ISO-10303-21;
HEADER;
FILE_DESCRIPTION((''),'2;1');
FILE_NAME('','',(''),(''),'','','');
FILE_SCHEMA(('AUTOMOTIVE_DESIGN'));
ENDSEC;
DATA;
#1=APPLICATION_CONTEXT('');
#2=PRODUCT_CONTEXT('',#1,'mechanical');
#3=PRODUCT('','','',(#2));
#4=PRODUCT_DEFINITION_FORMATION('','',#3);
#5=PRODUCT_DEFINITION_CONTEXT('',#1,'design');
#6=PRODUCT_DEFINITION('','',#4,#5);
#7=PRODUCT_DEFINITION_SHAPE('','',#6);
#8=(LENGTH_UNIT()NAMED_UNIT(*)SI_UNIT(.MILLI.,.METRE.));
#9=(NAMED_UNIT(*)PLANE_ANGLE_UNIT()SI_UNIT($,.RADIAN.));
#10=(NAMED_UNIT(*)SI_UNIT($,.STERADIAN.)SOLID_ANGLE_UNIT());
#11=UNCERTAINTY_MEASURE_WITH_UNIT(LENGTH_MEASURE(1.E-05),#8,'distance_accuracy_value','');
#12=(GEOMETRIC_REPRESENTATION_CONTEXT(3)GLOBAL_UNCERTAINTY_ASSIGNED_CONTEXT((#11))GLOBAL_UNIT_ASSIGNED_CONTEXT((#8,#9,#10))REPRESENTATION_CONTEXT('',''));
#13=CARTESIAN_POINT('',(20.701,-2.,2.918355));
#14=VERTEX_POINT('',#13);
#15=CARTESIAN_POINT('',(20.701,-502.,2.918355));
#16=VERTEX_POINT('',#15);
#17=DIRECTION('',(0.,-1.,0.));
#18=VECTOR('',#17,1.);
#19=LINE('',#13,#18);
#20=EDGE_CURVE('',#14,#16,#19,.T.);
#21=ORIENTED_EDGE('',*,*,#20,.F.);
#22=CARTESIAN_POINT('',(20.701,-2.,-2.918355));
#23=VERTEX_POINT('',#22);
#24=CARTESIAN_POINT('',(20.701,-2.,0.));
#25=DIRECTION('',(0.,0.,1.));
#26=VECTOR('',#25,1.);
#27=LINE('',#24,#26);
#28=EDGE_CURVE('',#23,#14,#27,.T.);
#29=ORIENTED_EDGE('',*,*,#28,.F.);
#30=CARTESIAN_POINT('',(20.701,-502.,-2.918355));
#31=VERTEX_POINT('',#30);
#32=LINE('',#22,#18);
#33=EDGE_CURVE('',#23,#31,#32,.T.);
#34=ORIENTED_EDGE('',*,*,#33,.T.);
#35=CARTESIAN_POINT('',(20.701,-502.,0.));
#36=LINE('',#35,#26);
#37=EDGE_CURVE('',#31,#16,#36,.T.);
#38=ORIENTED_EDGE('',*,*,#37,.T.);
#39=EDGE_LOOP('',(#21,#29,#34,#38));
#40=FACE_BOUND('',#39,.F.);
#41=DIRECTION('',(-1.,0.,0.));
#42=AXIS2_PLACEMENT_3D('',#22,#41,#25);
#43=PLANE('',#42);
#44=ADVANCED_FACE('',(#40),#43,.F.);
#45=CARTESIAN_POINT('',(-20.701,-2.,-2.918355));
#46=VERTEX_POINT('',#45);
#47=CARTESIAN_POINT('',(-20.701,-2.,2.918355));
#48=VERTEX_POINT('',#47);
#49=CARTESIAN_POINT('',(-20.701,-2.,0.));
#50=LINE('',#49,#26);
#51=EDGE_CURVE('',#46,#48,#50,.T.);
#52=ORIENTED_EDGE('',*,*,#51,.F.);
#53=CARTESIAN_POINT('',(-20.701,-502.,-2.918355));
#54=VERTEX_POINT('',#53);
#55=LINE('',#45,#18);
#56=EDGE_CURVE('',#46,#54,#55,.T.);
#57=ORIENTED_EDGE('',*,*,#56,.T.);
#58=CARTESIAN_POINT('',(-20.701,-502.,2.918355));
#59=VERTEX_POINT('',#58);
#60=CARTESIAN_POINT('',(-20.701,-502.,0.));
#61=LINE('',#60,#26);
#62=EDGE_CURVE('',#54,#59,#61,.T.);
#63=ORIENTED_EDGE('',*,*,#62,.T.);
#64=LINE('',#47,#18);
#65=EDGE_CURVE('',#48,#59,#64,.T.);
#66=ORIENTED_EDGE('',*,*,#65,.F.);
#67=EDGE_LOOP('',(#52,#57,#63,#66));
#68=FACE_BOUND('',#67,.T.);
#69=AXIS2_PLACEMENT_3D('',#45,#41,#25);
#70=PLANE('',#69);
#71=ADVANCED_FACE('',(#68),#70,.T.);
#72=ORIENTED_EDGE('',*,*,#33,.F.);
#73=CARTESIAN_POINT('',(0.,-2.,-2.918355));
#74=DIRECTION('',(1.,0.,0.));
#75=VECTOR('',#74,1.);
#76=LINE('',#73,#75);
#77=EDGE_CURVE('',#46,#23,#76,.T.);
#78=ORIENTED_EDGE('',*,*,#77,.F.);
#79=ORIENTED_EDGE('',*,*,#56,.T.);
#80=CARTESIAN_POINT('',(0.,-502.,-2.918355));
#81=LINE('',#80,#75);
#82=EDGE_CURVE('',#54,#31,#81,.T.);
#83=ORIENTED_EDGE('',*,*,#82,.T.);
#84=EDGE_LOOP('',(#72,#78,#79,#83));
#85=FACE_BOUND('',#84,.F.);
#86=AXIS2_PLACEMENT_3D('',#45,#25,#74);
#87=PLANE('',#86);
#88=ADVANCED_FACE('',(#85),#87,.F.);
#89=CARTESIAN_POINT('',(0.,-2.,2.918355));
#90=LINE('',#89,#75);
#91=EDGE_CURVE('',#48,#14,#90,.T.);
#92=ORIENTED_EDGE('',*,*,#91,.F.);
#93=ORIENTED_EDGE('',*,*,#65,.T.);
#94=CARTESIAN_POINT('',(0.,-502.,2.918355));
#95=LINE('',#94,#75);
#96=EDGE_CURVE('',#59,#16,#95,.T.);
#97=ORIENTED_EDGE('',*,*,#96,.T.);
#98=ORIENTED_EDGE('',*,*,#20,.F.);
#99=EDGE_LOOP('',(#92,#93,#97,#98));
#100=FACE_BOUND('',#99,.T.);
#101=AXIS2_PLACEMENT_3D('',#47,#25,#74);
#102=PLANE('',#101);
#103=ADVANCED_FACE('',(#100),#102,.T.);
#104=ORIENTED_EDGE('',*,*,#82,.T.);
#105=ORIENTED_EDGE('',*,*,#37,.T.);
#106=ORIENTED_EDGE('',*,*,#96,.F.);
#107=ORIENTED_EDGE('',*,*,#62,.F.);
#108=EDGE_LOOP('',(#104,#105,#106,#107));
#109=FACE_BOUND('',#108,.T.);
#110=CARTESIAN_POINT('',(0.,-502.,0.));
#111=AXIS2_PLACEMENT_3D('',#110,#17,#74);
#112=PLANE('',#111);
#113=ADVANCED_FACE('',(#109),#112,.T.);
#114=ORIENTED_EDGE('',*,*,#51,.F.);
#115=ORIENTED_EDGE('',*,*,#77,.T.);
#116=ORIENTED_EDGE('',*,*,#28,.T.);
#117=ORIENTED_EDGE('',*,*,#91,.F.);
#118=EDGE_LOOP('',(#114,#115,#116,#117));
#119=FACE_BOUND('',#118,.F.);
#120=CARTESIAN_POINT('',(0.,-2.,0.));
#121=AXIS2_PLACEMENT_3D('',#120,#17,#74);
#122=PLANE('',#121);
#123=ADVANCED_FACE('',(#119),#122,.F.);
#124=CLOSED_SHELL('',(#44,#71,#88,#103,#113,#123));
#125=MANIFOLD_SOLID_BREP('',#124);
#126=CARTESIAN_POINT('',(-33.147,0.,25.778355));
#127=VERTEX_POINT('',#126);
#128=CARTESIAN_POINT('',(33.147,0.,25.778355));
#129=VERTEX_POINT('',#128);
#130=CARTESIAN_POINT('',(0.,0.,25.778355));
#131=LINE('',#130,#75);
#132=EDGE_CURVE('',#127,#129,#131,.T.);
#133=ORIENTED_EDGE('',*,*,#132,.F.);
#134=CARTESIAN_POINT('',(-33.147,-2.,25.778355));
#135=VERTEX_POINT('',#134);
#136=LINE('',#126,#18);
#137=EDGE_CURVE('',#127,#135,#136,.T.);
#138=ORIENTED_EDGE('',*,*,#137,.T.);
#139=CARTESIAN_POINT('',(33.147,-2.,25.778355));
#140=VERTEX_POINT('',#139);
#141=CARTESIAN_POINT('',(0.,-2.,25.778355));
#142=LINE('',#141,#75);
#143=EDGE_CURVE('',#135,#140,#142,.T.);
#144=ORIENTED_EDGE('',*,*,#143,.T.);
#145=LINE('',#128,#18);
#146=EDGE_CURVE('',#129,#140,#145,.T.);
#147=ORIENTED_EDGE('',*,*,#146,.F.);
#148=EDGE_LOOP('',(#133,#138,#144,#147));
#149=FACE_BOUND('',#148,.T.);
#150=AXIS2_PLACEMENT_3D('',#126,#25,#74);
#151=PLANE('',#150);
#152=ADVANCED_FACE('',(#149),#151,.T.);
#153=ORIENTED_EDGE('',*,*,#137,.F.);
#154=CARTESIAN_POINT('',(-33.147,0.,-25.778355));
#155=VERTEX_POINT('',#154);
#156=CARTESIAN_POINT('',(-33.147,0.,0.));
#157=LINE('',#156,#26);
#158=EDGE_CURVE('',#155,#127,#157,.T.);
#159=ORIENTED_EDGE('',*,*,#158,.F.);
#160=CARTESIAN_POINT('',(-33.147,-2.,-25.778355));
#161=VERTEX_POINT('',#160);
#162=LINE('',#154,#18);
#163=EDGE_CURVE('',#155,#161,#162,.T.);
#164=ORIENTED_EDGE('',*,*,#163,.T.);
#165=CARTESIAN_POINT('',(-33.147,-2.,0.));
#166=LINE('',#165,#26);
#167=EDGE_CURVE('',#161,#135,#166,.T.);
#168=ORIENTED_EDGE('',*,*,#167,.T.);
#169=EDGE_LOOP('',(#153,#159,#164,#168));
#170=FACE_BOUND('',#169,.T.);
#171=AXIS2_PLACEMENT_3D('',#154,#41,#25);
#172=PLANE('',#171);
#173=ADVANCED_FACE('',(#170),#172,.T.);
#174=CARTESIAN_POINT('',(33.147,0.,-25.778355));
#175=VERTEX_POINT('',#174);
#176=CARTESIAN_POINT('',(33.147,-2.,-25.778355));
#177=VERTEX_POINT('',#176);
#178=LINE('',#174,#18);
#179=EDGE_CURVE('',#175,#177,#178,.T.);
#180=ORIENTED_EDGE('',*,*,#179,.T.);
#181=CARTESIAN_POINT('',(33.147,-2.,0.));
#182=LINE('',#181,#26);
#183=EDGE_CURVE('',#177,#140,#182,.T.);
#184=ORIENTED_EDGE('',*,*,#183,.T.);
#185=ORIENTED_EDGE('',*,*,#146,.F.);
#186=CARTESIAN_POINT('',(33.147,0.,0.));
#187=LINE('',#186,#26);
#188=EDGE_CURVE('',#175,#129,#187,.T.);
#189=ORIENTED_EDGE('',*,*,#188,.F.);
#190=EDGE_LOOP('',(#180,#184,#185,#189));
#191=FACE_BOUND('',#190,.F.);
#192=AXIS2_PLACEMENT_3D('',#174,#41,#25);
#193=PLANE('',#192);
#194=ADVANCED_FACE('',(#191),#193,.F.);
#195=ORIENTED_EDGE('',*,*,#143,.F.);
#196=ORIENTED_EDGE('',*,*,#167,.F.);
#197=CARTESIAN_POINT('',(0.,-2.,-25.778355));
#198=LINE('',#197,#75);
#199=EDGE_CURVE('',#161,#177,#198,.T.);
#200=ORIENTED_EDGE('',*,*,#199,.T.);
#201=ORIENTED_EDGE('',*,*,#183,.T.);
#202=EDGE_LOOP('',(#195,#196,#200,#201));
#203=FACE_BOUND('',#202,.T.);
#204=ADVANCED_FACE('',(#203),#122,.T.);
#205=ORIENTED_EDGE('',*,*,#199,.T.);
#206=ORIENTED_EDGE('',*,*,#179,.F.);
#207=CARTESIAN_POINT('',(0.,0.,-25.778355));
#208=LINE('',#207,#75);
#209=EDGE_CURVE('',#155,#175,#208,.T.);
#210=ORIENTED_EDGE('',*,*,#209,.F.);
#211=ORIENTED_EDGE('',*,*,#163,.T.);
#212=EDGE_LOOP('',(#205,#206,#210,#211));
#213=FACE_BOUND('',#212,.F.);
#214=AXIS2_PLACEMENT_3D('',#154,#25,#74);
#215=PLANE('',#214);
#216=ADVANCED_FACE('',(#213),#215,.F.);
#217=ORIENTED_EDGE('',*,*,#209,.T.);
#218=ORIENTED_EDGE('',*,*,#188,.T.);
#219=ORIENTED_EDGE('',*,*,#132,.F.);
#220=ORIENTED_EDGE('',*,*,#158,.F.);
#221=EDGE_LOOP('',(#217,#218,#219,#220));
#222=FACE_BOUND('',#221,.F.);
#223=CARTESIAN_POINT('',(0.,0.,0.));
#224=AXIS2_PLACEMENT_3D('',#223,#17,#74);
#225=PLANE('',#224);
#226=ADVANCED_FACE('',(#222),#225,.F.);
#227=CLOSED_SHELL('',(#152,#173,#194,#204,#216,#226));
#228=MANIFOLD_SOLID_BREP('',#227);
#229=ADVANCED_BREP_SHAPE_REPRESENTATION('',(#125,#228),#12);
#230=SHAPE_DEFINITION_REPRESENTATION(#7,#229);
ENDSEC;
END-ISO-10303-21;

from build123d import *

# Parameters (mm, degrees)
F0_W     = 66.294
F0_H     = 51.55671
F1_DEPTH = 2
F2_W     = 41.402
F2_H     = 5.83671
F3_DEPTH = 500


with BuildPart() as f1:
    # F0 (on Front) → F1 (new body)
    with BuildSketch(Plane.XZ):
        Rectangle(F0_W, F0_H)
    extrude(amount=F1_DEPTH)


with BuildPart() as f3:
    # F2 (on face) → F3 (new body)
    with BuildSketch(Plane.XZ.offset(2)):
        Rectangle(F2_W, F2_H)
    extrude(amount=F3_DEPTH)


solid = Compound([f1.part, f3.part])
